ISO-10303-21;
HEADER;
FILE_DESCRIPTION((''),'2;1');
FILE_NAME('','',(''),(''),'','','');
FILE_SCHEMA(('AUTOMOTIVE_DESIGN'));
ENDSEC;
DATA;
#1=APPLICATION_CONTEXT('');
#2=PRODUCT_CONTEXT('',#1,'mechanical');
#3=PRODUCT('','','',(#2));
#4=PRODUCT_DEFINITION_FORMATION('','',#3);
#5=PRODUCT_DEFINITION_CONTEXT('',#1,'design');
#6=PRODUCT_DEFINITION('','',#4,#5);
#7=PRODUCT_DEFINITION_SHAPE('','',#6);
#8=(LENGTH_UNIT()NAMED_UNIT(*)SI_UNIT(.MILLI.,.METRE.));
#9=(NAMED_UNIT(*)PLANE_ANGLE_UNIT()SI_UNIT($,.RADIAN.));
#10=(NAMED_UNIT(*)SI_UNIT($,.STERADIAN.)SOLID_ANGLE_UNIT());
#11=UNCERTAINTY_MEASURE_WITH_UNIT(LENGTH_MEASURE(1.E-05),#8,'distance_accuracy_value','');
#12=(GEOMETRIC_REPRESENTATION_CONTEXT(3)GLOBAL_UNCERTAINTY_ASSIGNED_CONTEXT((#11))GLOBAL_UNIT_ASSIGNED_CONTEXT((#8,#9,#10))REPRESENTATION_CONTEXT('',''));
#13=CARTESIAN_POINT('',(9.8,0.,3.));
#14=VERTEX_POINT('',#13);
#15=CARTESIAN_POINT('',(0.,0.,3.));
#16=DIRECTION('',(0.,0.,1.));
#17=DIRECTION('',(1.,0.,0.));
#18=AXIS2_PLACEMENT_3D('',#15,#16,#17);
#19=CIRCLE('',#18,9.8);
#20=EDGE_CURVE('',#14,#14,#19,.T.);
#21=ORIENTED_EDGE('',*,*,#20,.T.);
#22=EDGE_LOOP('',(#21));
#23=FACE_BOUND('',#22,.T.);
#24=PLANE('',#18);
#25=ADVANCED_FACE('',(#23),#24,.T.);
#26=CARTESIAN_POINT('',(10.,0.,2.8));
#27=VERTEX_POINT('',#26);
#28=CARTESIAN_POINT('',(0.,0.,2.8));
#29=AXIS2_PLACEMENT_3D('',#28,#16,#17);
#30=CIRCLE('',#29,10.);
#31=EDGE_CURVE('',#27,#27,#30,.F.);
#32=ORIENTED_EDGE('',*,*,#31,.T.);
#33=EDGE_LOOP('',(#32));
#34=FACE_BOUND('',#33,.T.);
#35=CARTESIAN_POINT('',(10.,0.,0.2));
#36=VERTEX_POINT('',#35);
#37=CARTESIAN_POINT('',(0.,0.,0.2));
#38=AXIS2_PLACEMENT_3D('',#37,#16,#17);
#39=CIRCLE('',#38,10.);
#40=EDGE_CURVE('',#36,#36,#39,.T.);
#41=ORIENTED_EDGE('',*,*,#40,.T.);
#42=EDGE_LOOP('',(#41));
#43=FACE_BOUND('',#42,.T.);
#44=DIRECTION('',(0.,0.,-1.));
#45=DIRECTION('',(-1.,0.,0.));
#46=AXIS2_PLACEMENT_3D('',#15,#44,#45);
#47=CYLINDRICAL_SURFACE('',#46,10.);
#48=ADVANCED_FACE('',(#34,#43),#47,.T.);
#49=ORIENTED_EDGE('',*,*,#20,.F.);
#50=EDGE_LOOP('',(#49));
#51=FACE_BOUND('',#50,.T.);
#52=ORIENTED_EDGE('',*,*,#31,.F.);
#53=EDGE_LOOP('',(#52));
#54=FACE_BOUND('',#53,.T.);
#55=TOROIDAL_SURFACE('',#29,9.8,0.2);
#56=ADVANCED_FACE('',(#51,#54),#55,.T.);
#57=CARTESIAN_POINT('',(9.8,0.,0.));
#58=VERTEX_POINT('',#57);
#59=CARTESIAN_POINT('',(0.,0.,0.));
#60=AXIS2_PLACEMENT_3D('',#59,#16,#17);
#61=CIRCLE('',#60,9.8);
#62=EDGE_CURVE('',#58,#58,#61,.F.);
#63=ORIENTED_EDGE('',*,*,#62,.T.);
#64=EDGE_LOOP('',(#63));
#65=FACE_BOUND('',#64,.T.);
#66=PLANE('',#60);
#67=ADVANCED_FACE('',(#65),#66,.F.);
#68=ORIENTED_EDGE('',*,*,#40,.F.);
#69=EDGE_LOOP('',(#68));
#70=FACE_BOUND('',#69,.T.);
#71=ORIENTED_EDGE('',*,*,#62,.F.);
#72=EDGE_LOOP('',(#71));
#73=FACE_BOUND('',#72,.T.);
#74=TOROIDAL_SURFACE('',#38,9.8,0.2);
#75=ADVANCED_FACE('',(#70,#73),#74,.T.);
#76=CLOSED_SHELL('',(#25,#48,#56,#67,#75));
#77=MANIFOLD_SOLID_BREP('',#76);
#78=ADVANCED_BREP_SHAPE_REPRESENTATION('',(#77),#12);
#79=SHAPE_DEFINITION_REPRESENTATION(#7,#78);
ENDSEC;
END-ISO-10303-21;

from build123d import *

# Parameters (mm, degrees)
SKETCH_1_R      = 10
EXTRUDE_1_DEPTH = 3
FILLET_1_R      = 0.2


with BuildPart() as part:
    # 草图1 → 凸台-拉伸1 (new body)
    with BuildSketch(Plane.XY):
        Circle(SKETCH_1_R)
    extrude(amount=EXTRUDE_1_DEPTH)

    # 圆角1
    fillet_1_edges = [part.edges().sort_by_distance(p)[0] for p in [
        (-10, 0, 0),
        (-10, 0, 3),
    ]]
    fillet(fillet_1_edges, radius=FILLET_1_R)


solid = part.part
